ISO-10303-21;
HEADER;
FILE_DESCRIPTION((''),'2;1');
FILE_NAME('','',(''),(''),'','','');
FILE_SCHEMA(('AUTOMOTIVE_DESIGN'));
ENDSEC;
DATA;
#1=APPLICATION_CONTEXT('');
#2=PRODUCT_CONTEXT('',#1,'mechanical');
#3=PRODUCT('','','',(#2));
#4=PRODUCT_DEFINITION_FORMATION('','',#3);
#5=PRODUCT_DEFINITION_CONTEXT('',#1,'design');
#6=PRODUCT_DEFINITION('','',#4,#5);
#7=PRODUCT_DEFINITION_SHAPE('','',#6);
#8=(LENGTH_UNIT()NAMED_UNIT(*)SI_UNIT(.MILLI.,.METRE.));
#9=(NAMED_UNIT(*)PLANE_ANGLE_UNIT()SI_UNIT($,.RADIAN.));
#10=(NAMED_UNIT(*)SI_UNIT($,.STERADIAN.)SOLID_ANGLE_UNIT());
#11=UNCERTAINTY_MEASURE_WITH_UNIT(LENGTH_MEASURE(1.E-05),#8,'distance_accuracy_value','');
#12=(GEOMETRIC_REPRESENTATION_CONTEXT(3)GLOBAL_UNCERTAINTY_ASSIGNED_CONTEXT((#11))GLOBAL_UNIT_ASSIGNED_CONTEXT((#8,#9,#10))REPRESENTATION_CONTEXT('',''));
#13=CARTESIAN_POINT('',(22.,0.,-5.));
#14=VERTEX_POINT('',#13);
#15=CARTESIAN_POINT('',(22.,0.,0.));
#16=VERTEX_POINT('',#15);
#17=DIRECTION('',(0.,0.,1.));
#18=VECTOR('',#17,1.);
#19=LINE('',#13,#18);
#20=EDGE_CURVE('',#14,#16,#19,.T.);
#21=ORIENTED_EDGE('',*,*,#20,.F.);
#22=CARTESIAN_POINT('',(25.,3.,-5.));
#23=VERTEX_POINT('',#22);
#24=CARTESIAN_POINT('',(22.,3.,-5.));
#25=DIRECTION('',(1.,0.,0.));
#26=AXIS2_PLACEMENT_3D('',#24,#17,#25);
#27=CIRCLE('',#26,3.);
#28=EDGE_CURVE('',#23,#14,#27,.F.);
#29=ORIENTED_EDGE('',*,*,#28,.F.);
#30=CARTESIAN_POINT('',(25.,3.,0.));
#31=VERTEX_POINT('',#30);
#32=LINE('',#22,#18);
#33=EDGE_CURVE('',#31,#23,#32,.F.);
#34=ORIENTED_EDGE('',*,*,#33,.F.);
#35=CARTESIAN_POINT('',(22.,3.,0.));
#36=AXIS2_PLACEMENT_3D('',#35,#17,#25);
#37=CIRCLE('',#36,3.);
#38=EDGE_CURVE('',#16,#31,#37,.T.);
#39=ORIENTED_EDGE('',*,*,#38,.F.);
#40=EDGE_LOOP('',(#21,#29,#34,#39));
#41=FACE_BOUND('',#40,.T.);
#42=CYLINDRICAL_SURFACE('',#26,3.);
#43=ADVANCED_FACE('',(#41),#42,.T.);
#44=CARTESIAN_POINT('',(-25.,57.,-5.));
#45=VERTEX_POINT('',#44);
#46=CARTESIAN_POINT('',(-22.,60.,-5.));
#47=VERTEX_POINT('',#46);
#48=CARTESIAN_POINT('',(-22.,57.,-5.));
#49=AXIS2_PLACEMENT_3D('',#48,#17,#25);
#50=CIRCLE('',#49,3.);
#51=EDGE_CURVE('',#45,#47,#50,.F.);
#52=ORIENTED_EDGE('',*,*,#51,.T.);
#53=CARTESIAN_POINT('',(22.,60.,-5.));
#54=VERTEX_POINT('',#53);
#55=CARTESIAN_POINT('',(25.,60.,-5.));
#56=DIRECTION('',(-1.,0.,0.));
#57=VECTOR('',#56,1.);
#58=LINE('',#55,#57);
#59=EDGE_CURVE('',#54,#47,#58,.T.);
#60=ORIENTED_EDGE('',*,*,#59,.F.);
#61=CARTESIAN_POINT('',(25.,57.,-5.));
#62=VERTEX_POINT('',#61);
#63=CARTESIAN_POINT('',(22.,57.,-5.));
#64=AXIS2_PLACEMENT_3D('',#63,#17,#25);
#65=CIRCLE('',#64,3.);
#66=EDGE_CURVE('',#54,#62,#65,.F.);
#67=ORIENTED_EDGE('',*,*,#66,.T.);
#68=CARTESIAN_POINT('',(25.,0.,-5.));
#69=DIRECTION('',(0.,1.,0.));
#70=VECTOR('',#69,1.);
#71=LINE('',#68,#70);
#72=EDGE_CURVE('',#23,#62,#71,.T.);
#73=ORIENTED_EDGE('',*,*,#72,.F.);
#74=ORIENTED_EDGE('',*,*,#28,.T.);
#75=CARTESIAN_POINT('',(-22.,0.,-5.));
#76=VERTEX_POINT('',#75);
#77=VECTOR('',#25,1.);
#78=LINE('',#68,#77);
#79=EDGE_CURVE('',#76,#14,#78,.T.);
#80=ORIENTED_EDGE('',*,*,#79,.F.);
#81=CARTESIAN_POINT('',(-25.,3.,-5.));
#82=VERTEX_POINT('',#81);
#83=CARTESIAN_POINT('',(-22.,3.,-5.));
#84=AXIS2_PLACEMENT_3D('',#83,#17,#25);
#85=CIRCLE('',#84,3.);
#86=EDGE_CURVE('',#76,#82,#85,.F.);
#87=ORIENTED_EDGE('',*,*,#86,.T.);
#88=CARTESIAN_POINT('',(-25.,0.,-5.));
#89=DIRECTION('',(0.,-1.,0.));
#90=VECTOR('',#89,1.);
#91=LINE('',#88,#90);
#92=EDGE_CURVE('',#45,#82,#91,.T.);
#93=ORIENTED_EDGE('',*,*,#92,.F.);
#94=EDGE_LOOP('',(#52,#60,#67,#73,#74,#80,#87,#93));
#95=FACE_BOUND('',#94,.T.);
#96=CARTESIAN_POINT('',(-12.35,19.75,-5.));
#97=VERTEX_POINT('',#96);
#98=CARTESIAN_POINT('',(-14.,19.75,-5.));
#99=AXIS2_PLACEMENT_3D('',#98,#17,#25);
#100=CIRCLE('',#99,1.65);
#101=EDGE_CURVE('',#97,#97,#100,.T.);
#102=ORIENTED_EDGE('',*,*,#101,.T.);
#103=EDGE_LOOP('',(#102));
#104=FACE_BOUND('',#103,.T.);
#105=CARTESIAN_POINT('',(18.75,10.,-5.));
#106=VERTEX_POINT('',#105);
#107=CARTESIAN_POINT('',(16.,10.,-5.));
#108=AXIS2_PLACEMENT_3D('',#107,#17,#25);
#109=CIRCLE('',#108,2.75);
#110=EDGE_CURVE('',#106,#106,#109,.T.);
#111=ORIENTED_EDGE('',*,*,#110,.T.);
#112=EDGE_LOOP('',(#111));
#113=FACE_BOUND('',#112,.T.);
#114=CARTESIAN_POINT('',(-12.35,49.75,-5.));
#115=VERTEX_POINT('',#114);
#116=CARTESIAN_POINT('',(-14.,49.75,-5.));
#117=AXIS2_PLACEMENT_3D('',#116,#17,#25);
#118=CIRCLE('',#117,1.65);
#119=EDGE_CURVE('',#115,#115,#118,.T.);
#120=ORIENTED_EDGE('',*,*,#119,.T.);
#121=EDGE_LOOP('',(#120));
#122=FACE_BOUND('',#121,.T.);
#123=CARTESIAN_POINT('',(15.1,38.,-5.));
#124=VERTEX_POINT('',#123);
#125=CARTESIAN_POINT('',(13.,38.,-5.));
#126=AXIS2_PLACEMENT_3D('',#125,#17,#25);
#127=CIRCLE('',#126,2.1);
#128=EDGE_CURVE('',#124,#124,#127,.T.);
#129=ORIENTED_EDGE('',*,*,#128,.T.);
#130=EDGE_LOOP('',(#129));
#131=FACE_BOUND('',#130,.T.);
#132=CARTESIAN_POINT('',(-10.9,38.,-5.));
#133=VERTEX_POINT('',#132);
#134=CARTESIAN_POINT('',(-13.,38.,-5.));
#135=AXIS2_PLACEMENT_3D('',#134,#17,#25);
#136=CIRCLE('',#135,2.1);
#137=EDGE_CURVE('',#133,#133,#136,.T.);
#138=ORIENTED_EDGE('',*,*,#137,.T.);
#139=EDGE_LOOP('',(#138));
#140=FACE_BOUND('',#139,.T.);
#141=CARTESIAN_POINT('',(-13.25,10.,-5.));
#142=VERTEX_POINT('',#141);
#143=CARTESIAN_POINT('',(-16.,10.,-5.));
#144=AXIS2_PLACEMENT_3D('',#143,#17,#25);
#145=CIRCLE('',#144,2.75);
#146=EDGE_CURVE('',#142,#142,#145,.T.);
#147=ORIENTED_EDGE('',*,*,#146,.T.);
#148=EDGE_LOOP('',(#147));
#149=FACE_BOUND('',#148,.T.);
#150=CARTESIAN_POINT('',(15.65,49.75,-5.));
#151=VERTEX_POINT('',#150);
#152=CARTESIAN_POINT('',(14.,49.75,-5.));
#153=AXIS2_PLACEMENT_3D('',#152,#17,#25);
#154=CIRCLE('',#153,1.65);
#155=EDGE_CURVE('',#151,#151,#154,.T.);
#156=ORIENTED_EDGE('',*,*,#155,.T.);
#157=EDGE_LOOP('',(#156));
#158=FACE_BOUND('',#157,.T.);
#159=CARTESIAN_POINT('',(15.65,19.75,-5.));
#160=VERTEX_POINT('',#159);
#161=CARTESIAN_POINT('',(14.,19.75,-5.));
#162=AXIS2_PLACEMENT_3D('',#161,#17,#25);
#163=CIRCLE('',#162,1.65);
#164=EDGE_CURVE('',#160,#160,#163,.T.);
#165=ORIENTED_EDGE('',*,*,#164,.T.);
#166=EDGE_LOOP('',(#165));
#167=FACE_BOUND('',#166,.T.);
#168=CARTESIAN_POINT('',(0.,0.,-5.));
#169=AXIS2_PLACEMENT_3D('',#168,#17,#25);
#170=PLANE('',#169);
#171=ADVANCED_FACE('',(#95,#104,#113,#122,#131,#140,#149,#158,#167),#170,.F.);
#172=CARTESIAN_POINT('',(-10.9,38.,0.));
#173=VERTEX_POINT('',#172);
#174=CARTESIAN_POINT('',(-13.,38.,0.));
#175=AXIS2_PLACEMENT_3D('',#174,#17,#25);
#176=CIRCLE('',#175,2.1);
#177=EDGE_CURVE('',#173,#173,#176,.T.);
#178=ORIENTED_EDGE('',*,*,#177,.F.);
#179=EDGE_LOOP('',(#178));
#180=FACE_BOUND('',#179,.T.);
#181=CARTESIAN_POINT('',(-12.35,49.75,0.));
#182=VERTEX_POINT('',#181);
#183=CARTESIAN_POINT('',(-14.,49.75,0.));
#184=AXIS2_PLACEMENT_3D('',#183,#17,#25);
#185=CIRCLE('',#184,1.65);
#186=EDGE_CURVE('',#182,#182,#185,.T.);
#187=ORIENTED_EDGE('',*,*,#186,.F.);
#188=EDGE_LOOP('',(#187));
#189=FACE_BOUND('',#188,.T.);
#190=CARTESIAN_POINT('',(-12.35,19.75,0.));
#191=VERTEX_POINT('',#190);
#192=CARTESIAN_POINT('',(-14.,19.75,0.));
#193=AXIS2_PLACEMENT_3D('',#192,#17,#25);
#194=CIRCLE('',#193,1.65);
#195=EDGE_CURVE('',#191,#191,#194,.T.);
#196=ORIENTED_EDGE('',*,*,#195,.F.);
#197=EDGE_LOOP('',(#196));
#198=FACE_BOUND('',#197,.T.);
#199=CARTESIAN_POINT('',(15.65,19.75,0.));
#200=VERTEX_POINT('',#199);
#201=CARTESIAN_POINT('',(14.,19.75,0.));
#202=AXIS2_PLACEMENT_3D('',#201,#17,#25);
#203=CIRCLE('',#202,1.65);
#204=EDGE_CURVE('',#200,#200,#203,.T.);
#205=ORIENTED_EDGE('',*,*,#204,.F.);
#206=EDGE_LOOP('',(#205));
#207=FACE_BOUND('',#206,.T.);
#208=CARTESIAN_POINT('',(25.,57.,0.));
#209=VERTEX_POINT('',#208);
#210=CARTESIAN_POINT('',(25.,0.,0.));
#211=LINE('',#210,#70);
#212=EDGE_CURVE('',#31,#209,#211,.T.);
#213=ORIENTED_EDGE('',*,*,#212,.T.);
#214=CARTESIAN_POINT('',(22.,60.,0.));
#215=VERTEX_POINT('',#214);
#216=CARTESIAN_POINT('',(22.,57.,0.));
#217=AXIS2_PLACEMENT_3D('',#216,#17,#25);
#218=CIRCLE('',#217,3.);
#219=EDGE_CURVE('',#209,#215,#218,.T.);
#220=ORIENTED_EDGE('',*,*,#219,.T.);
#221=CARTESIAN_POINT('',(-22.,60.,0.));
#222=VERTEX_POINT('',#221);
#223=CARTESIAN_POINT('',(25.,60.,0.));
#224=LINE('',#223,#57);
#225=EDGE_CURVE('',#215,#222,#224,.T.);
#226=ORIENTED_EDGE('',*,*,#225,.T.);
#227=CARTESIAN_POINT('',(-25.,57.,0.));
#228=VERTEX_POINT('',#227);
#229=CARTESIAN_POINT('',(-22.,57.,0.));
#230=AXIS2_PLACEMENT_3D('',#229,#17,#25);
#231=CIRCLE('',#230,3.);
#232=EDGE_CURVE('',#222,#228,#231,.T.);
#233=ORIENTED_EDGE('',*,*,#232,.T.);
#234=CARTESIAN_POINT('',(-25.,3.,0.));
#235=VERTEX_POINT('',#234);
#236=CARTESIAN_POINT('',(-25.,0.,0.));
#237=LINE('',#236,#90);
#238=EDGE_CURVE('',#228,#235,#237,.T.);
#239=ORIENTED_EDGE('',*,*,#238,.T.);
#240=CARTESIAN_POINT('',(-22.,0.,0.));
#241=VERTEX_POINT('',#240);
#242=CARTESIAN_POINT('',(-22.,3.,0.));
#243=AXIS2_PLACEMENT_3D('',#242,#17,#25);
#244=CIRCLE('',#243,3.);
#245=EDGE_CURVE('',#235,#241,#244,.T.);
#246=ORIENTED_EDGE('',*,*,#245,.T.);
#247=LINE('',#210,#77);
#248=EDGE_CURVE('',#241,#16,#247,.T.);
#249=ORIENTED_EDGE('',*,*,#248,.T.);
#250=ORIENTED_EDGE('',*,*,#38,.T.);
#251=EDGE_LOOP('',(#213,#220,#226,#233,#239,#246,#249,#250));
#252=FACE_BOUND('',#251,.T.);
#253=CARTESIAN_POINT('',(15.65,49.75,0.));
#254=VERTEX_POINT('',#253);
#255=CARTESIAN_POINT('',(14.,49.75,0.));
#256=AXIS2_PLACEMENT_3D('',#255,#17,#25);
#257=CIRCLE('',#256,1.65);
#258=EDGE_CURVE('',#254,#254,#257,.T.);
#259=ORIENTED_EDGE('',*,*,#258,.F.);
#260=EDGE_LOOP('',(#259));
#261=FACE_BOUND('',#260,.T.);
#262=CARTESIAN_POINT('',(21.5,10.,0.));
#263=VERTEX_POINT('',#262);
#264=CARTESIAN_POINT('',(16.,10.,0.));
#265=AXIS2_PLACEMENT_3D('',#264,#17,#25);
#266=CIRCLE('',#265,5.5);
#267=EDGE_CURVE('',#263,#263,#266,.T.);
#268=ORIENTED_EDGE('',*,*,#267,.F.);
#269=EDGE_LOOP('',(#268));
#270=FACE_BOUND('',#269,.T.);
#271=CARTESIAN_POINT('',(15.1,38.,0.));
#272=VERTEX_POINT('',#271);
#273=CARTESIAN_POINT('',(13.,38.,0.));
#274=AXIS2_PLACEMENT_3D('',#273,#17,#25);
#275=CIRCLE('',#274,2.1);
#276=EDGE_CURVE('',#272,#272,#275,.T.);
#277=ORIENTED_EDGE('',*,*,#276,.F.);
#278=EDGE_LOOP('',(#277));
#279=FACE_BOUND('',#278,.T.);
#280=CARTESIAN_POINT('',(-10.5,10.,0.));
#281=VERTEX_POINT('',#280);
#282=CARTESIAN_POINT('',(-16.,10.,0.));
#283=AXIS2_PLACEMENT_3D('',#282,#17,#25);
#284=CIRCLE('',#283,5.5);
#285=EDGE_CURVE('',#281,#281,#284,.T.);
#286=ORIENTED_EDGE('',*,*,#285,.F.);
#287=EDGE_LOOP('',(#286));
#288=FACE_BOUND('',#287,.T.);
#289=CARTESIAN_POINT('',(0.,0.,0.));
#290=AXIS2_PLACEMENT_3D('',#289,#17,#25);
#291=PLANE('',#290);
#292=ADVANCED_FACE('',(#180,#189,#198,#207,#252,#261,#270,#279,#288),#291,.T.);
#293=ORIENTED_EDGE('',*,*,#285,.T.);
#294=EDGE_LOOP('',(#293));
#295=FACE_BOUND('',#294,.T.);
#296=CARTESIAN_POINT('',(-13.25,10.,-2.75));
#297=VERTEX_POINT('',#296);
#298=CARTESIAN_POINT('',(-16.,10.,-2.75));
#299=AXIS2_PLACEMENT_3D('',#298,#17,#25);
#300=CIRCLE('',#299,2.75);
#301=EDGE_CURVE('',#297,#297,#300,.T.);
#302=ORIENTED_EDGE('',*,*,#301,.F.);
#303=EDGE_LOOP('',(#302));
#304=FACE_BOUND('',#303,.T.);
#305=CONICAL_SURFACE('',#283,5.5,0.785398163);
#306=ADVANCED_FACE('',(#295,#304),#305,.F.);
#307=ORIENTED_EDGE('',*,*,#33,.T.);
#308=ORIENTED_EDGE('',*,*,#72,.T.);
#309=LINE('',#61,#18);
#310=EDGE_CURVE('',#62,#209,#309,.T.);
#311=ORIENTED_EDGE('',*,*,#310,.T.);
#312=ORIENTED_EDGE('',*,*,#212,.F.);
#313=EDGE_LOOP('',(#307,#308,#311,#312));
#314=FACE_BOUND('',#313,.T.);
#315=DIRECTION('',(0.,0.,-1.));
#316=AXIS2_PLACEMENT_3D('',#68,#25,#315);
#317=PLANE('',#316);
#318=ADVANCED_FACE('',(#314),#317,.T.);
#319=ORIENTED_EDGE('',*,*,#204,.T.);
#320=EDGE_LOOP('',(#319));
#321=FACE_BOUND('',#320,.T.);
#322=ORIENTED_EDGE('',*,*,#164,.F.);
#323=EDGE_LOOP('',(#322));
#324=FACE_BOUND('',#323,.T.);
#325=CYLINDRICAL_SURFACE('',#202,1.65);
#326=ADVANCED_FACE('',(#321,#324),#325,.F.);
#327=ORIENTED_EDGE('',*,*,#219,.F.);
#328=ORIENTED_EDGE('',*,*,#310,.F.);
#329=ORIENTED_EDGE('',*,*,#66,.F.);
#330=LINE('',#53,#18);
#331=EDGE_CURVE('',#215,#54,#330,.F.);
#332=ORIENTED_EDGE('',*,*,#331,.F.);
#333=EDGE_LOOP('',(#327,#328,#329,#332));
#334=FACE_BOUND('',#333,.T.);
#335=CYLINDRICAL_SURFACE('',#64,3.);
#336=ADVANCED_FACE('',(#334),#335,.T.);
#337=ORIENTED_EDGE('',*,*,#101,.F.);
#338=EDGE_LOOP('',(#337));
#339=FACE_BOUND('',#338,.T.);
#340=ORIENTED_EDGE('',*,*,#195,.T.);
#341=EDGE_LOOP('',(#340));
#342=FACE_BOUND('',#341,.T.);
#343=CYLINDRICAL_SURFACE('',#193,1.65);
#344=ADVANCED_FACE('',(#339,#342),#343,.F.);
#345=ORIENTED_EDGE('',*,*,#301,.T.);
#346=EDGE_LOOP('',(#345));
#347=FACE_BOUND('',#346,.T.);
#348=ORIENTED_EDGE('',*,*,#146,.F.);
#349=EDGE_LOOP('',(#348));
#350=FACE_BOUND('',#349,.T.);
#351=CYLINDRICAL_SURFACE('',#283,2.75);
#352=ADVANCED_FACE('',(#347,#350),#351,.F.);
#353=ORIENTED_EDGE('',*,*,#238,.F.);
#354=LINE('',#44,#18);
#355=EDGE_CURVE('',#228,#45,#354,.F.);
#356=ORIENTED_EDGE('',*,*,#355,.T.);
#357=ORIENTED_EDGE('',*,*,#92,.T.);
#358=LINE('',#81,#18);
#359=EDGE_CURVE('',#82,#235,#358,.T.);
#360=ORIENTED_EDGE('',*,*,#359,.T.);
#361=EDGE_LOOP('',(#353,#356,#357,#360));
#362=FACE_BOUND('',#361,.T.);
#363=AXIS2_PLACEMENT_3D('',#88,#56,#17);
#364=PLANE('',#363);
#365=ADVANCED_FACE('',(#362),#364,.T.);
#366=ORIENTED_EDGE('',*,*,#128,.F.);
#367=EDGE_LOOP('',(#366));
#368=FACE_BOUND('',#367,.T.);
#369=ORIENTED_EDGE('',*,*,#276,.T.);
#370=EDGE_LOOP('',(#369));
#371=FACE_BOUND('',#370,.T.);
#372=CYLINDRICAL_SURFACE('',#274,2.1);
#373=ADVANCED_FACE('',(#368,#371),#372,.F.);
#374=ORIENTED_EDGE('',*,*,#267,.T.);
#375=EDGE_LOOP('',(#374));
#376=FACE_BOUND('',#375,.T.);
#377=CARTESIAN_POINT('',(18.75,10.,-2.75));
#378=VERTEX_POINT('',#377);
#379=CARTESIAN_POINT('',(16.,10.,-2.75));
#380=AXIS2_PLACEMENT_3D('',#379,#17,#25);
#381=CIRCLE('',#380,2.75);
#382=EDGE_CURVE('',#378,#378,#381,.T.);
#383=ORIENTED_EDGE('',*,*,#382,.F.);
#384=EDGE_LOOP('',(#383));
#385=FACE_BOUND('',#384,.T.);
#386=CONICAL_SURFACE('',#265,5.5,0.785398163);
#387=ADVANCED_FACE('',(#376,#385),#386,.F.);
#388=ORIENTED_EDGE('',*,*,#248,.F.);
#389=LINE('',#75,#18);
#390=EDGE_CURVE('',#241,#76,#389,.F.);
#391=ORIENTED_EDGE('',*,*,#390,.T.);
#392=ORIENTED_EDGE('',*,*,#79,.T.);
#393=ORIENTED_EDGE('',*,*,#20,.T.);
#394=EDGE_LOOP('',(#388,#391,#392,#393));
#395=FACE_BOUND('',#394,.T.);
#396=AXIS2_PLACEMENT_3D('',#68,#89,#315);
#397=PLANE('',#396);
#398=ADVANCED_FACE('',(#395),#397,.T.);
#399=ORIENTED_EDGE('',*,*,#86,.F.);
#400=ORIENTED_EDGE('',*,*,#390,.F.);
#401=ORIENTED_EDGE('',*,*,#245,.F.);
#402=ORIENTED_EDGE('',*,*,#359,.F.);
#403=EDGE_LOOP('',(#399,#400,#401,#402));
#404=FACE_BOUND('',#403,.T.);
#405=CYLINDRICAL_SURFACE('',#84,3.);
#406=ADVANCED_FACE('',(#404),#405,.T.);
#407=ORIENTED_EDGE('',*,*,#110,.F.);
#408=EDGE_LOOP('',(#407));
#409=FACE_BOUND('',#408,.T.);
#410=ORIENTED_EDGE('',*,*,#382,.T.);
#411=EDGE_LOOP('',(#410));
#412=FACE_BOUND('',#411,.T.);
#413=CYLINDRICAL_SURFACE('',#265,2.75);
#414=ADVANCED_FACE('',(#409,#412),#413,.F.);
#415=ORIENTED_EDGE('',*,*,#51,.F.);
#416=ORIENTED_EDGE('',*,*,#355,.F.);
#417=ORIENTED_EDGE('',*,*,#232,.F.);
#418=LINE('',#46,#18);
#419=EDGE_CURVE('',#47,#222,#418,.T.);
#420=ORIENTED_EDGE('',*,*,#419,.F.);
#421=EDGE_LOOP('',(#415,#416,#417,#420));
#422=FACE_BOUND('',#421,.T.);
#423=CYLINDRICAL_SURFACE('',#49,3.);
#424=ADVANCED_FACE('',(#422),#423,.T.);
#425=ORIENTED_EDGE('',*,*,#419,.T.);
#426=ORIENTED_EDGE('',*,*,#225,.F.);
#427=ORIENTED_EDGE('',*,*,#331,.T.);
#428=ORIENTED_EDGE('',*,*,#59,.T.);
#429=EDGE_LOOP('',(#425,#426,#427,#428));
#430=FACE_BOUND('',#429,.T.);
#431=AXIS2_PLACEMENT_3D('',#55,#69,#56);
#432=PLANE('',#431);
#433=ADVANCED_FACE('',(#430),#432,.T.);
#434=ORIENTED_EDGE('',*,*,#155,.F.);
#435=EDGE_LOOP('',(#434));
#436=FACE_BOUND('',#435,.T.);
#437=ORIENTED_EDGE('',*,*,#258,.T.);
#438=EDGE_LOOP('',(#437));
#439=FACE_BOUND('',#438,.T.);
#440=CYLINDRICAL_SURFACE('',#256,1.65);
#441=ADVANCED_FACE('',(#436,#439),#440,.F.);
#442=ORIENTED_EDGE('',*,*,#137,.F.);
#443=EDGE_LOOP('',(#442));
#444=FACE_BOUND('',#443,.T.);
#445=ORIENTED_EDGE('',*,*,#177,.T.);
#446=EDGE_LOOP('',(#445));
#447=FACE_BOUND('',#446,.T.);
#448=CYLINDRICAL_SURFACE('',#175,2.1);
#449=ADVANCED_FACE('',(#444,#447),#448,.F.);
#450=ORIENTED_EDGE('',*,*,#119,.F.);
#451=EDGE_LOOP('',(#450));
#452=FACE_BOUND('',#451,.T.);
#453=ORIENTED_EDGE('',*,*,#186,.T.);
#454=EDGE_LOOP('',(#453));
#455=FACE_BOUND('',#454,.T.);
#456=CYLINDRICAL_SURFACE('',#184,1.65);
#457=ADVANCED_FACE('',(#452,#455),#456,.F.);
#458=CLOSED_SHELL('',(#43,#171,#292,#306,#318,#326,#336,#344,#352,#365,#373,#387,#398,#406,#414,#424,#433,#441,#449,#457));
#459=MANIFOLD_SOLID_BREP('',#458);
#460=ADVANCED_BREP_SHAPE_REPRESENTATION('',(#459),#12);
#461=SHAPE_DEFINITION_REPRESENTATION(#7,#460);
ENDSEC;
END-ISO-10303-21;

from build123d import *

# Parameters (mm, degrees)
SKIZZE1_W                                            = 50
SKIZZE1_H                                            = 60
AUFSATZ_LINEAR_AUSTRAGEN1_DEPTH                      = 5
FORMSENKUNG_F_R_M5_LINSENSENKSCHRAUBE_MI_D           = 5.5
FORMSENKUNG_F_R_M5_LINSENSENKSCHRAUBE_MI_DEPTH       = 20
FORMSENKUNG_F_R_M5_LINSENSENKSCHRAUBE_MI_CSINK_D     = 11
FORMSENKUNG_F_R_M5_LINSENSENKSCHRAUBE_MI_CSINK_ANGLE = 90
FORMSENKUNG_F_R_M5_LINSENSENKSCHRAUBE_MI_TIP         = 1.652366702
KERNLOCH_F_R_M4_GEWINDE1_D                           = 3.3
KERNLOCH_F_R_M5_GEWINDE1_D                           = 4.2
VERRUNDUNG1_R                                        = 3


with BuildPart() as part:
    # Skizze1 → Aufsatz-Linear austragen1 (new body)
    with BuildSketch(Plane.XY):
        with Locations((0, 30)):
            Rectangle(SKIZZE1_W, SKIZZE1_H)
    extrude(amount=-AUFSATZ_LINEAR_AUSTRAGEN1_DEPTH)

    # Formsenkung für M5 Linsensenkschraube mit Schlitz1
    with Locations(Plane.XY):
        with Locations((-16, 10), (16, 10)):
            CounterSinkHole(FORMSENKUNG_F_R_M5_LINSENSENKSCHRAUBE_MI_D / 2, FORMSENKUNG_F_R_M5_LINSENSENKSCHRAUBE_MI_CSINK_D / 2, depth=FORMSENKUNG_F_R_M5_LINSENSENKSCHRAUBE_MI_DEPTH, counter_sink_angle=FORMSENKUNG_F_R_M5_LINSENSENKSCHRAUBE_MI_CSINK_ANGLE)
            with Locations((0, 0, -(FORMSENKUNG_F_R_M5_LINSENSENKSCHRAUBE_MI_DEPTH + FORMSENKUNG_F_R_M5_LINSENSENKSCHRAUBE_MI_TIP / 2))):  # 118° drill point
                Cone(0, FORMSENKUNG_F_R_M5_LINSENSENKSCHRAUBE_MI_D / 2, FORMSENKUNG_F_R_M5_LINSENSENKSCHRAUBE_MI_TIP, mode=Mode.SUBTRACT)

    # Kernloch für M4 Gewinde1 (through all)
    with Locations(Plane.XY):
        with Locations((-14, 19.75), (14, 19.75), (-14, 49.75), (14, 49.75)):
            Hole(KERNLOCH_F_R_M4_GEWINDE1_D / 2)

    # Kernloch für M5 Gewinde1 (through all)
    with Locations(Plane.XY):
        with Locations((-13, 38), (13, 38)):
            Hole(KERNLOCH_F_R_M5_GEWINDE1_D / 2)

    # Verrundung1
    verrundung1_edges = [part.edges().sort_by_distance(p)[0] for p in [
        (25, 0, -2.5),
        (-25, 0, -2.5),
        (-25, 60, -2.5),
        (25, 60, -2.5),
    ]]
    fillet(verrundung1_edges, radius=VERRUNDUNG1_R)


solid = part.part
